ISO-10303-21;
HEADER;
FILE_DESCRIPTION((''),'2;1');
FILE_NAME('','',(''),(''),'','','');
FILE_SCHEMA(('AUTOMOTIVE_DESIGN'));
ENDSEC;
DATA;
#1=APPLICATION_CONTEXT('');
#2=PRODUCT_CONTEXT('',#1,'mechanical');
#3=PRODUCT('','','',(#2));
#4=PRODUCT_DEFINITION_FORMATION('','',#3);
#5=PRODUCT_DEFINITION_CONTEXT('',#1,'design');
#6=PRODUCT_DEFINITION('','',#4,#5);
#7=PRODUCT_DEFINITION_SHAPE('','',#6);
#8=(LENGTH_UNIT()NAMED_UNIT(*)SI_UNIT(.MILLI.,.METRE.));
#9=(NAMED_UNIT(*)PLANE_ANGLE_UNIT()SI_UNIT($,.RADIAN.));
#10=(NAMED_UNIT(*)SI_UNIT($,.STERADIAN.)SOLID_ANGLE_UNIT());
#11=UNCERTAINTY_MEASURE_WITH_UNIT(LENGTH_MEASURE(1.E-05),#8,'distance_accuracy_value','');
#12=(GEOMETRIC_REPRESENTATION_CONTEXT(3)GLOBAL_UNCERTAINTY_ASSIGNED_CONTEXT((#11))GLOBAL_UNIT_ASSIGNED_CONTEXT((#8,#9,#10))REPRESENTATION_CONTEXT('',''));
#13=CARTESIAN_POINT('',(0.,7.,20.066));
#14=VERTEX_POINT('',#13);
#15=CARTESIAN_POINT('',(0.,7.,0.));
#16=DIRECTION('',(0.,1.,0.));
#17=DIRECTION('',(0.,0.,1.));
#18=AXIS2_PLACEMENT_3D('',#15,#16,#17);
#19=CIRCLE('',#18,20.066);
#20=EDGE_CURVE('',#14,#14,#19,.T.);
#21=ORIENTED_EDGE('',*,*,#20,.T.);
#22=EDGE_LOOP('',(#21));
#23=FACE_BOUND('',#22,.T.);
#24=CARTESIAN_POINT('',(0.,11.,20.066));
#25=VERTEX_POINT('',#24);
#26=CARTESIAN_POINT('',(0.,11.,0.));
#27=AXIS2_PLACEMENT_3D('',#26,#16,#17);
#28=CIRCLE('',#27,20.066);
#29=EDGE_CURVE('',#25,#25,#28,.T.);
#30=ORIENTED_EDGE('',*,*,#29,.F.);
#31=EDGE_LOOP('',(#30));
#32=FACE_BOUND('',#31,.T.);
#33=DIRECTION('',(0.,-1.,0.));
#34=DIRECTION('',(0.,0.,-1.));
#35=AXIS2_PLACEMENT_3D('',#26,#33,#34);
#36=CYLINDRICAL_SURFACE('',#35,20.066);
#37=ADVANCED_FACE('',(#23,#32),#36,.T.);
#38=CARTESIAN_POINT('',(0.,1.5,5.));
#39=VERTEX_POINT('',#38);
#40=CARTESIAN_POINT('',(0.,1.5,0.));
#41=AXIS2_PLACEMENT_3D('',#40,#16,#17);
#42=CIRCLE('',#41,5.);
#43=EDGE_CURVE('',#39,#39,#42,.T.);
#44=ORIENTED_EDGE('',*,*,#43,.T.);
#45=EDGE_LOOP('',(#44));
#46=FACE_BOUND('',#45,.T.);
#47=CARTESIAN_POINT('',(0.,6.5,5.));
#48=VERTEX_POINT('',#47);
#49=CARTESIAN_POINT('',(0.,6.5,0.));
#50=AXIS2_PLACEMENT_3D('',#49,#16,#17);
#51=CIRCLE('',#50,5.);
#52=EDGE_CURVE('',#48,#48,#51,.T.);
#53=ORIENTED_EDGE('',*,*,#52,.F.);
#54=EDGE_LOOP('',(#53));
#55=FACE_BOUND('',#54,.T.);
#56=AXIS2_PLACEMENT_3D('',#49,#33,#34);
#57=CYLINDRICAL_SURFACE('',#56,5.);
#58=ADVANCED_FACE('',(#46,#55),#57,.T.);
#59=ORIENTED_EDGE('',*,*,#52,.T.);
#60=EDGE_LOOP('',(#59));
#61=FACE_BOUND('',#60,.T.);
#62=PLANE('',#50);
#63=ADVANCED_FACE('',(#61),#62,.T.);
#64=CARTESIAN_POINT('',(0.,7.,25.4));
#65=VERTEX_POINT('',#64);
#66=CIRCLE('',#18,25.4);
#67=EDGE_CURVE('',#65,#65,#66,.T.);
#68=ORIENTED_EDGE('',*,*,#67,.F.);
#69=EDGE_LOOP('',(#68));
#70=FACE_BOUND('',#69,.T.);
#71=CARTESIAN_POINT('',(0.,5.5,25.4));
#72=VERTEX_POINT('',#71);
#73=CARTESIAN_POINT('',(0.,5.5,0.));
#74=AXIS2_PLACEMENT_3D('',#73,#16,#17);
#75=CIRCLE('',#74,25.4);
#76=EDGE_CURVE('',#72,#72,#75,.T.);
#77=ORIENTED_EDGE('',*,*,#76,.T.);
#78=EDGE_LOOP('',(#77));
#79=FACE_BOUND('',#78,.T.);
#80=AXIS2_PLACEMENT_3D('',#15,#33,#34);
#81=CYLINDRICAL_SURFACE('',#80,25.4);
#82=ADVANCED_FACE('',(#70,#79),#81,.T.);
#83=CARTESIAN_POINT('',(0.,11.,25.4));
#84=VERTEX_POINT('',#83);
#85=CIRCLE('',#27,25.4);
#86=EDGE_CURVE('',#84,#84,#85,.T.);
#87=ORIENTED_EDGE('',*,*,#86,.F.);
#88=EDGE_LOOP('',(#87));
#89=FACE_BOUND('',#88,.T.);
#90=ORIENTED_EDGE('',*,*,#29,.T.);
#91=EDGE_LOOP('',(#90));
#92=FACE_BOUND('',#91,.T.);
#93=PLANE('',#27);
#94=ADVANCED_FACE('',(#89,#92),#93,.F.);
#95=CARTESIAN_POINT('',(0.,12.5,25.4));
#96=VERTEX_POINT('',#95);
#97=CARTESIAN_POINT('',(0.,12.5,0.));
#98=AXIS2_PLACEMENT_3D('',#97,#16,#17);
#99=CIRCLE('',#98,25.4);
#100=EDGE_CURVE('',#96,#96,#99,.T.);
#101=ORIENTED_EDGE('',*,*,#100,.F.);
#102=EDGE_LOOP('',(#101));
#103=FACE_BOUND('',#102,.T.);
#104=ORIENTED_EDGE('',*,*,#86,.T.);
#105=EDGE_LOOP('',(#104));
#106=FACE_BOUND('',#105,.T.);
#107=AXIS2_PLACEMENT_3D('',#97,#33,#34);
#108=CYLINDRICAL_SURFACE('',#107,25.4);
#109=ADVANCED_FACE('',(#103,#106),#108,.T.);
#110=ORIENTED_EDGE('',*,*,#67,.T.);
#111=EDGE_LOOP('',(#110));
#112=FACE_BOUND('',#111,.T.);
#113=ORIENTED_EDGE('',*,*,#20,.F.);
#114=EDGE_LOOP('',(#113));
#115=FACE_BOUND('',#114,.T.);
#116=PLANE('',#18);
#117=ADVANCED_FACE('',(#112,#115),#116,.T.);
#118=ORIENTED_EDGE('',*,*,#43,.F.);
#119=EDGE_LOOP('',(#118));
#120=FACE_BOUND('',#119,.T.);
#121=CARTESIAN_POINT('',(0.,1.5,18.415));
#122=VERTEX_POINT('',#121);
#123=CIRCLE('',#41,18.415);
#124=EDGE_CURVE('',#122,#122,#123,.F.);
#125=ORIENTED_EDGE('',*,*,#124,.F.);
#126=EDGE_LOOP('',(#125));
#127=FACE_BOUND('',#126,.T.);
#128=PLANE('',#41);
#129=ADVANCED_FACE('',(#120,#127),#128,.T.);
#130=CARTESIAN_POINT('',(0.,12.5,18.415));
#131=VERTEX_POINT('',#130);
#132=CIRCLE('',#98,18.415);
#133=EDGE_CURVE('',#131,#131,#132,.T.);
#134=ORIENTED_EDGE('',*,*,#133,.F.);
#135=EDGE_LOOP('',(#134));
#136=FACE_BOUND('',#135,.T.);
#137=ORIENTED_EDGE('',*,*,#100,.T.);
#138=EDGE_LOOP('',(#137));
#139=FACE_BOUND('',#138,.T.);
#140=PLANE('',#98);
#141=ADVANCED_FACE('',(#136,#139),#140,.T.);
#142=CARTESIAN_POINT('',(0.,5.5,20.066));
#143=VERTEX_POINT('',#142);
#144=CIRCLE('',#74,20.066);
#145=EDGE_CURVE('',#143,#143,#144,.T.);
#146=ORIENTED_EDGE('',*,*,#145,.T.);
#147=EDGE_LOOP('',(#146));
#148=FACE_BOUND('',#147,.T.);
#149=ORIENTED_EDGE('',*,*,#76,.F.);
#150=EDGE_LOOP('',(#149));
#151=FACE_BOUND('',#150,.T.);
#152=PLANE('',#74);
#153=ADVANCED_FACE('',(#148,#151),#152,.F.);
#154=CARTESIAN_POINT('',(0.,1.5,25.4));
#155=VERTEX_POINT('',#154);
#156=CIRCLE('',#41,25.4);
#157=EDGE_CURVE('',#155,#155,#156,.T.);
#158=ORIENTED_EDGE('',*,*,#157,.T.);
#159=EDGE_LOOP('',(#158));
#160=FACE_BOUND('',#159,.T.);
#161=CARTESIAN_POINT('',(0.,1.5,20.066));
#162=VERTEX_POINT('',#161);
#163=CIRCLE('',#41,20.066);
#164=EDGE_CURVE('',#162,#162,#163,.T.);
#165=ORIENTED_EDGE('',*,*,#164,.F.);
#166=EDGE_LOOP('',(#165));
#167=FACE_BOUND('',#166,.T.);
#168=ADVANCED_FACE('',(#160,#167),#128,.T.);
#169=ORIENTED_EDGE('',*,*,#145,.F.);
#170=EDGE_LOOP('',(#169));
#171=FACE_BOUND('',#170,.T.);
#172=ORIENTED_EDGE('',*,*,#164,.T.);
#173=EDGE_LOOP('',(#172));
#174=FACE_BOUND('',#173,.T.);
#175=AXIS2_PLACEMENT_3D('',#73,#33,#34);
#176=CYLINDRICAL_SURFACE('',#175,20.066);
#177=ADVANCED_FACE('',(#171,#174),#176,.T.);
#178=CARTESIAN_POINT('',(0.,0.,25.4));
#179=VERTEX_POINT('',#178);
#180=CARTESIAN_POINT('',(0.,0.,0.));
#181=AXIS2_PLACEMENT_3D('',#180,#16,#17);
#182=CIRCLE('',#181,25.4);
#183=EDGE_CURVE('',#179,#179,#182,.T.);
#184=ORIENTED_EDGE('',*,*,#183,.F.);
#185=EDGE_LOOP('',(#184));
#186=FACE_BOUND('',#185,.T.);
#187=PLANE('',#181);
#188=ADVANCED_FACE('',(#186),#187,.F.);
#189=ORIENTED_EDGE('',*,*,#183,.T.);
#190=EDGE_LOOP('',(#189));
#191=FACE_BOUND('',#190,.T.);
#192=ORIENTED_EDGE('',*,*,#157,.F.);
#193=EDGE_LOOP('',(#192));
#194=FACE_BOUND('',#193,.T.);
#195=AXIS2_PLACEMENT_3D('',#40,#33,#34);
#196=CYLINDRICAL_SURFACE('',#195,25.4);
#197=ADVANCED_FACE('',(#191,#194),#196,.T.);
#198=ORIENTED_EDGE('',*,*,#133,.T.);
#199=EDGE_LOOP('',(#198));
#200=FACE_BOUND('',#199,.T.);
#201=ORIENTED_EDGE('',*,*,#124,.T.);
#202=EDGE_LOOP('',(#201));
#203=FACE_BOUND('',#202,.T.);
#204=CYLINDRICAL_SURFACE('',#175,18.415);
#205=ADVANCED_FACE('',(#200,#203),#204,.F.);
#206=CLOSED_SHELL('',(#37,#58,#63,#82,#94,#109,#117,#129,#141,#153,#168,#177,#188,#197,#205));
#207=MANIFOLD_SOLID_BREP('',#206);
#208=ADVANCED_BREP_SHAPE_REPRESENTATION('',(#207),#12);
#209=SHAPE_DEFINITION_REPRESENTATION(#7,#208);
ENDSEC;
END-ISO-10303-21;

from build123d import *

# Parameters (mm, degrees)
SKETCH1_R           = 25.4
BOSS_EXTRUDE1_DEPTH = 1.5
BOSS_EXTRUDE2_START = 1.5
SKETCH1_3_R         = 20.066
SKETCH1_3_R_2       = 18.415
BOSS_EXTRUDE2_DEPTH = 4
BOSS_EXTRUDE3_START = 5.5
SKETCH1_4_R         = 25.4
SKETCH1_4_R_2       = 20.066
SKETCH1_4_R_3       = 18.415
BOSS_EXTRUDE3_DEPTH = 1.5
BOSS_EXTRUDE4_START = 7
SKETCH1_5_R         = 20.066
SKETCH1_5_R_2       = 18.415
BOSS_EXTRUDE4_DEPTH = 4
BOSS_EXTRUDE5_START = 11
SKETCH1_6_R         = 25.4
SKETCH1_6_R_2       = 20.066
SKETCH1_6_R_3       = 18.415
BOSS_EXTRUDE5_DEPTH = 1.5
BOSS_EXTRUDE6_START = 1.5
SKETCH1_7_R         = 5
BOSS_EXTRUDE6_DEPTH = 5


with BuildPart() as part:
    # Sketch1 → Boss-Extrude1 (new body)
    with BuildSketch(Plane(origin=(0, 0, 0), x_dir=(1, 0, 0), z_dir=(0, 1, 0))):
        with Locations(Location((0, 0, 0), (0, 0, 270))):
            Circle(SKETCH1_R)
    extrude(amount=BOSS_EXTRUDE1_DEPTH)

    # Sketch1<3> → Boss-Extrude2 (add)
    with BuildSketch(Plane(origin=(0, 0, 0), x_dir=(1, 0, 0), z_dir=(0, 1, 0)).offset(BOSS_EXTRUDE2_START)):
        with Locations(Location((0, 0, 0), (0, 0, 270))):
            Circle(SKETCH1_3_R)
        with Locations(Location((0, 0, 0), (0, 0, 270))):
            Circle(SKETCH1_3_R_2, mode=Mode.SUBTRACT)
    extrude(amount=BOSS_EXTRUDE2_DEPTH)

    # Sketch1<4> → Boss-Extrude3 (add)
    # profile 1 of 2: a face of its own
    with BuildSketch(Plane(origin=(0, 0, 0), x_dir=(1, 0, 0), z_dir=(0, 1, 0)).offset(BOSS_EXTRUDE3_START)):
        with Locations(Location((0, 0, 0), (0, 0, 270))):
            Circle(SKETCH1_4_R)
        with Locations(Location((0, 0, 0), (0, 0, 270))):
            Circle(SKETCH1_4_R_2, mode=Mode.SUBTRACT)
    # profile 2 of 2: a face of its own
    with BuildSketch(Plane(origin=(0, 0, 0), x_dir=(1, 0, 0), z_dir=(0, 1, 0)).offset(BOSS_EXTRUDE3_START)):
        with Locations(Location((0, 0, 0), (0, 0, 270))):
            Circle(SKETCH1_4_R_2)
        with Locations(Location((0, 0, 0), (0, 0, 270))):
            Circle(SKETCH1_4_R_3, mode=Mode.SUBTRACT)
    extrude(amount=BOSS_EXTRUDE3_DEPTH)

    # Sketch1<5> → Boss-Extrude4 (add)
    with BuildSketch(Plane(origin=(0, 0, 0), x_dir=(1, 0, 0), z_dir=(0, 1, 0)).offset(BOSS_EXTRUDE4_START)):
        with Locations(Location((0, 0, 0), (0, 0, 270))):
            Circle(SKETCH1_5_R)
        with Locations(Location((0, 0, 0), (0, 0, 270))):
            Circle(SKETCH1_5_R_2, mode=Mode.SUBTRACT)
    extrude(amount=BOSS_EXTRUDE4_DEPTH)

    # Sketch1<6> → Boss-Extrude5 (add)
    # profile 1 of 2: a face of its own
    with BuildSketch(Plane(origin=(0, 0, 0), x_dir=(1, 0, 0), z_dir=(0, 1, 0)).offset(BOSS_EXTRUDE5_START)):
        with Locations(Location((0, 0, 0), (0, 0, 270))):
            Circle(SKETCH1_6_R)
        with Locations(Location((0, 0, 0), (0, 0, 270))):
            Circle(SKETCH1_6_R_2, mode=Mode.SUBTRACT)
    # profile 2 of 2: a face of its own
    with BuildSketch(Plane(origin=(0, 0, 0), x_dir=(1, 0, 0), z_dir=(0, 1, 0)).offset(BOSS_EXTRUDE5_START)):
        with Locations(Location((0, 0, 0), (0, 0, 270))):
            Circle(SKETCH1_6_R_2)
        with Locations(Location((0, 0, 0), (0, 0, 270))):
            Circle(SKETCH1_6_R_3, mode=Mode.SUBTRACT)
    extrude(amount=BOSS_EXTRUDE5_DEPTH)

    # Sketch1<7> → Boss-Extrude6 (add)
    with BuildSketch(Plane(origin=(0, 0, 0), x_dir=(1, 0, 0), z_dir=(0, 1, 0)).offset(BOSS_EXTRUDE6_START)):
        with Locations(Location((0, 0, 0), (0, 0, 270))):
            Circle(SKETCH1_7_R)
    extrude(amount=BOSS_EXTRUDE6_DEPTH)


solid = part.part
